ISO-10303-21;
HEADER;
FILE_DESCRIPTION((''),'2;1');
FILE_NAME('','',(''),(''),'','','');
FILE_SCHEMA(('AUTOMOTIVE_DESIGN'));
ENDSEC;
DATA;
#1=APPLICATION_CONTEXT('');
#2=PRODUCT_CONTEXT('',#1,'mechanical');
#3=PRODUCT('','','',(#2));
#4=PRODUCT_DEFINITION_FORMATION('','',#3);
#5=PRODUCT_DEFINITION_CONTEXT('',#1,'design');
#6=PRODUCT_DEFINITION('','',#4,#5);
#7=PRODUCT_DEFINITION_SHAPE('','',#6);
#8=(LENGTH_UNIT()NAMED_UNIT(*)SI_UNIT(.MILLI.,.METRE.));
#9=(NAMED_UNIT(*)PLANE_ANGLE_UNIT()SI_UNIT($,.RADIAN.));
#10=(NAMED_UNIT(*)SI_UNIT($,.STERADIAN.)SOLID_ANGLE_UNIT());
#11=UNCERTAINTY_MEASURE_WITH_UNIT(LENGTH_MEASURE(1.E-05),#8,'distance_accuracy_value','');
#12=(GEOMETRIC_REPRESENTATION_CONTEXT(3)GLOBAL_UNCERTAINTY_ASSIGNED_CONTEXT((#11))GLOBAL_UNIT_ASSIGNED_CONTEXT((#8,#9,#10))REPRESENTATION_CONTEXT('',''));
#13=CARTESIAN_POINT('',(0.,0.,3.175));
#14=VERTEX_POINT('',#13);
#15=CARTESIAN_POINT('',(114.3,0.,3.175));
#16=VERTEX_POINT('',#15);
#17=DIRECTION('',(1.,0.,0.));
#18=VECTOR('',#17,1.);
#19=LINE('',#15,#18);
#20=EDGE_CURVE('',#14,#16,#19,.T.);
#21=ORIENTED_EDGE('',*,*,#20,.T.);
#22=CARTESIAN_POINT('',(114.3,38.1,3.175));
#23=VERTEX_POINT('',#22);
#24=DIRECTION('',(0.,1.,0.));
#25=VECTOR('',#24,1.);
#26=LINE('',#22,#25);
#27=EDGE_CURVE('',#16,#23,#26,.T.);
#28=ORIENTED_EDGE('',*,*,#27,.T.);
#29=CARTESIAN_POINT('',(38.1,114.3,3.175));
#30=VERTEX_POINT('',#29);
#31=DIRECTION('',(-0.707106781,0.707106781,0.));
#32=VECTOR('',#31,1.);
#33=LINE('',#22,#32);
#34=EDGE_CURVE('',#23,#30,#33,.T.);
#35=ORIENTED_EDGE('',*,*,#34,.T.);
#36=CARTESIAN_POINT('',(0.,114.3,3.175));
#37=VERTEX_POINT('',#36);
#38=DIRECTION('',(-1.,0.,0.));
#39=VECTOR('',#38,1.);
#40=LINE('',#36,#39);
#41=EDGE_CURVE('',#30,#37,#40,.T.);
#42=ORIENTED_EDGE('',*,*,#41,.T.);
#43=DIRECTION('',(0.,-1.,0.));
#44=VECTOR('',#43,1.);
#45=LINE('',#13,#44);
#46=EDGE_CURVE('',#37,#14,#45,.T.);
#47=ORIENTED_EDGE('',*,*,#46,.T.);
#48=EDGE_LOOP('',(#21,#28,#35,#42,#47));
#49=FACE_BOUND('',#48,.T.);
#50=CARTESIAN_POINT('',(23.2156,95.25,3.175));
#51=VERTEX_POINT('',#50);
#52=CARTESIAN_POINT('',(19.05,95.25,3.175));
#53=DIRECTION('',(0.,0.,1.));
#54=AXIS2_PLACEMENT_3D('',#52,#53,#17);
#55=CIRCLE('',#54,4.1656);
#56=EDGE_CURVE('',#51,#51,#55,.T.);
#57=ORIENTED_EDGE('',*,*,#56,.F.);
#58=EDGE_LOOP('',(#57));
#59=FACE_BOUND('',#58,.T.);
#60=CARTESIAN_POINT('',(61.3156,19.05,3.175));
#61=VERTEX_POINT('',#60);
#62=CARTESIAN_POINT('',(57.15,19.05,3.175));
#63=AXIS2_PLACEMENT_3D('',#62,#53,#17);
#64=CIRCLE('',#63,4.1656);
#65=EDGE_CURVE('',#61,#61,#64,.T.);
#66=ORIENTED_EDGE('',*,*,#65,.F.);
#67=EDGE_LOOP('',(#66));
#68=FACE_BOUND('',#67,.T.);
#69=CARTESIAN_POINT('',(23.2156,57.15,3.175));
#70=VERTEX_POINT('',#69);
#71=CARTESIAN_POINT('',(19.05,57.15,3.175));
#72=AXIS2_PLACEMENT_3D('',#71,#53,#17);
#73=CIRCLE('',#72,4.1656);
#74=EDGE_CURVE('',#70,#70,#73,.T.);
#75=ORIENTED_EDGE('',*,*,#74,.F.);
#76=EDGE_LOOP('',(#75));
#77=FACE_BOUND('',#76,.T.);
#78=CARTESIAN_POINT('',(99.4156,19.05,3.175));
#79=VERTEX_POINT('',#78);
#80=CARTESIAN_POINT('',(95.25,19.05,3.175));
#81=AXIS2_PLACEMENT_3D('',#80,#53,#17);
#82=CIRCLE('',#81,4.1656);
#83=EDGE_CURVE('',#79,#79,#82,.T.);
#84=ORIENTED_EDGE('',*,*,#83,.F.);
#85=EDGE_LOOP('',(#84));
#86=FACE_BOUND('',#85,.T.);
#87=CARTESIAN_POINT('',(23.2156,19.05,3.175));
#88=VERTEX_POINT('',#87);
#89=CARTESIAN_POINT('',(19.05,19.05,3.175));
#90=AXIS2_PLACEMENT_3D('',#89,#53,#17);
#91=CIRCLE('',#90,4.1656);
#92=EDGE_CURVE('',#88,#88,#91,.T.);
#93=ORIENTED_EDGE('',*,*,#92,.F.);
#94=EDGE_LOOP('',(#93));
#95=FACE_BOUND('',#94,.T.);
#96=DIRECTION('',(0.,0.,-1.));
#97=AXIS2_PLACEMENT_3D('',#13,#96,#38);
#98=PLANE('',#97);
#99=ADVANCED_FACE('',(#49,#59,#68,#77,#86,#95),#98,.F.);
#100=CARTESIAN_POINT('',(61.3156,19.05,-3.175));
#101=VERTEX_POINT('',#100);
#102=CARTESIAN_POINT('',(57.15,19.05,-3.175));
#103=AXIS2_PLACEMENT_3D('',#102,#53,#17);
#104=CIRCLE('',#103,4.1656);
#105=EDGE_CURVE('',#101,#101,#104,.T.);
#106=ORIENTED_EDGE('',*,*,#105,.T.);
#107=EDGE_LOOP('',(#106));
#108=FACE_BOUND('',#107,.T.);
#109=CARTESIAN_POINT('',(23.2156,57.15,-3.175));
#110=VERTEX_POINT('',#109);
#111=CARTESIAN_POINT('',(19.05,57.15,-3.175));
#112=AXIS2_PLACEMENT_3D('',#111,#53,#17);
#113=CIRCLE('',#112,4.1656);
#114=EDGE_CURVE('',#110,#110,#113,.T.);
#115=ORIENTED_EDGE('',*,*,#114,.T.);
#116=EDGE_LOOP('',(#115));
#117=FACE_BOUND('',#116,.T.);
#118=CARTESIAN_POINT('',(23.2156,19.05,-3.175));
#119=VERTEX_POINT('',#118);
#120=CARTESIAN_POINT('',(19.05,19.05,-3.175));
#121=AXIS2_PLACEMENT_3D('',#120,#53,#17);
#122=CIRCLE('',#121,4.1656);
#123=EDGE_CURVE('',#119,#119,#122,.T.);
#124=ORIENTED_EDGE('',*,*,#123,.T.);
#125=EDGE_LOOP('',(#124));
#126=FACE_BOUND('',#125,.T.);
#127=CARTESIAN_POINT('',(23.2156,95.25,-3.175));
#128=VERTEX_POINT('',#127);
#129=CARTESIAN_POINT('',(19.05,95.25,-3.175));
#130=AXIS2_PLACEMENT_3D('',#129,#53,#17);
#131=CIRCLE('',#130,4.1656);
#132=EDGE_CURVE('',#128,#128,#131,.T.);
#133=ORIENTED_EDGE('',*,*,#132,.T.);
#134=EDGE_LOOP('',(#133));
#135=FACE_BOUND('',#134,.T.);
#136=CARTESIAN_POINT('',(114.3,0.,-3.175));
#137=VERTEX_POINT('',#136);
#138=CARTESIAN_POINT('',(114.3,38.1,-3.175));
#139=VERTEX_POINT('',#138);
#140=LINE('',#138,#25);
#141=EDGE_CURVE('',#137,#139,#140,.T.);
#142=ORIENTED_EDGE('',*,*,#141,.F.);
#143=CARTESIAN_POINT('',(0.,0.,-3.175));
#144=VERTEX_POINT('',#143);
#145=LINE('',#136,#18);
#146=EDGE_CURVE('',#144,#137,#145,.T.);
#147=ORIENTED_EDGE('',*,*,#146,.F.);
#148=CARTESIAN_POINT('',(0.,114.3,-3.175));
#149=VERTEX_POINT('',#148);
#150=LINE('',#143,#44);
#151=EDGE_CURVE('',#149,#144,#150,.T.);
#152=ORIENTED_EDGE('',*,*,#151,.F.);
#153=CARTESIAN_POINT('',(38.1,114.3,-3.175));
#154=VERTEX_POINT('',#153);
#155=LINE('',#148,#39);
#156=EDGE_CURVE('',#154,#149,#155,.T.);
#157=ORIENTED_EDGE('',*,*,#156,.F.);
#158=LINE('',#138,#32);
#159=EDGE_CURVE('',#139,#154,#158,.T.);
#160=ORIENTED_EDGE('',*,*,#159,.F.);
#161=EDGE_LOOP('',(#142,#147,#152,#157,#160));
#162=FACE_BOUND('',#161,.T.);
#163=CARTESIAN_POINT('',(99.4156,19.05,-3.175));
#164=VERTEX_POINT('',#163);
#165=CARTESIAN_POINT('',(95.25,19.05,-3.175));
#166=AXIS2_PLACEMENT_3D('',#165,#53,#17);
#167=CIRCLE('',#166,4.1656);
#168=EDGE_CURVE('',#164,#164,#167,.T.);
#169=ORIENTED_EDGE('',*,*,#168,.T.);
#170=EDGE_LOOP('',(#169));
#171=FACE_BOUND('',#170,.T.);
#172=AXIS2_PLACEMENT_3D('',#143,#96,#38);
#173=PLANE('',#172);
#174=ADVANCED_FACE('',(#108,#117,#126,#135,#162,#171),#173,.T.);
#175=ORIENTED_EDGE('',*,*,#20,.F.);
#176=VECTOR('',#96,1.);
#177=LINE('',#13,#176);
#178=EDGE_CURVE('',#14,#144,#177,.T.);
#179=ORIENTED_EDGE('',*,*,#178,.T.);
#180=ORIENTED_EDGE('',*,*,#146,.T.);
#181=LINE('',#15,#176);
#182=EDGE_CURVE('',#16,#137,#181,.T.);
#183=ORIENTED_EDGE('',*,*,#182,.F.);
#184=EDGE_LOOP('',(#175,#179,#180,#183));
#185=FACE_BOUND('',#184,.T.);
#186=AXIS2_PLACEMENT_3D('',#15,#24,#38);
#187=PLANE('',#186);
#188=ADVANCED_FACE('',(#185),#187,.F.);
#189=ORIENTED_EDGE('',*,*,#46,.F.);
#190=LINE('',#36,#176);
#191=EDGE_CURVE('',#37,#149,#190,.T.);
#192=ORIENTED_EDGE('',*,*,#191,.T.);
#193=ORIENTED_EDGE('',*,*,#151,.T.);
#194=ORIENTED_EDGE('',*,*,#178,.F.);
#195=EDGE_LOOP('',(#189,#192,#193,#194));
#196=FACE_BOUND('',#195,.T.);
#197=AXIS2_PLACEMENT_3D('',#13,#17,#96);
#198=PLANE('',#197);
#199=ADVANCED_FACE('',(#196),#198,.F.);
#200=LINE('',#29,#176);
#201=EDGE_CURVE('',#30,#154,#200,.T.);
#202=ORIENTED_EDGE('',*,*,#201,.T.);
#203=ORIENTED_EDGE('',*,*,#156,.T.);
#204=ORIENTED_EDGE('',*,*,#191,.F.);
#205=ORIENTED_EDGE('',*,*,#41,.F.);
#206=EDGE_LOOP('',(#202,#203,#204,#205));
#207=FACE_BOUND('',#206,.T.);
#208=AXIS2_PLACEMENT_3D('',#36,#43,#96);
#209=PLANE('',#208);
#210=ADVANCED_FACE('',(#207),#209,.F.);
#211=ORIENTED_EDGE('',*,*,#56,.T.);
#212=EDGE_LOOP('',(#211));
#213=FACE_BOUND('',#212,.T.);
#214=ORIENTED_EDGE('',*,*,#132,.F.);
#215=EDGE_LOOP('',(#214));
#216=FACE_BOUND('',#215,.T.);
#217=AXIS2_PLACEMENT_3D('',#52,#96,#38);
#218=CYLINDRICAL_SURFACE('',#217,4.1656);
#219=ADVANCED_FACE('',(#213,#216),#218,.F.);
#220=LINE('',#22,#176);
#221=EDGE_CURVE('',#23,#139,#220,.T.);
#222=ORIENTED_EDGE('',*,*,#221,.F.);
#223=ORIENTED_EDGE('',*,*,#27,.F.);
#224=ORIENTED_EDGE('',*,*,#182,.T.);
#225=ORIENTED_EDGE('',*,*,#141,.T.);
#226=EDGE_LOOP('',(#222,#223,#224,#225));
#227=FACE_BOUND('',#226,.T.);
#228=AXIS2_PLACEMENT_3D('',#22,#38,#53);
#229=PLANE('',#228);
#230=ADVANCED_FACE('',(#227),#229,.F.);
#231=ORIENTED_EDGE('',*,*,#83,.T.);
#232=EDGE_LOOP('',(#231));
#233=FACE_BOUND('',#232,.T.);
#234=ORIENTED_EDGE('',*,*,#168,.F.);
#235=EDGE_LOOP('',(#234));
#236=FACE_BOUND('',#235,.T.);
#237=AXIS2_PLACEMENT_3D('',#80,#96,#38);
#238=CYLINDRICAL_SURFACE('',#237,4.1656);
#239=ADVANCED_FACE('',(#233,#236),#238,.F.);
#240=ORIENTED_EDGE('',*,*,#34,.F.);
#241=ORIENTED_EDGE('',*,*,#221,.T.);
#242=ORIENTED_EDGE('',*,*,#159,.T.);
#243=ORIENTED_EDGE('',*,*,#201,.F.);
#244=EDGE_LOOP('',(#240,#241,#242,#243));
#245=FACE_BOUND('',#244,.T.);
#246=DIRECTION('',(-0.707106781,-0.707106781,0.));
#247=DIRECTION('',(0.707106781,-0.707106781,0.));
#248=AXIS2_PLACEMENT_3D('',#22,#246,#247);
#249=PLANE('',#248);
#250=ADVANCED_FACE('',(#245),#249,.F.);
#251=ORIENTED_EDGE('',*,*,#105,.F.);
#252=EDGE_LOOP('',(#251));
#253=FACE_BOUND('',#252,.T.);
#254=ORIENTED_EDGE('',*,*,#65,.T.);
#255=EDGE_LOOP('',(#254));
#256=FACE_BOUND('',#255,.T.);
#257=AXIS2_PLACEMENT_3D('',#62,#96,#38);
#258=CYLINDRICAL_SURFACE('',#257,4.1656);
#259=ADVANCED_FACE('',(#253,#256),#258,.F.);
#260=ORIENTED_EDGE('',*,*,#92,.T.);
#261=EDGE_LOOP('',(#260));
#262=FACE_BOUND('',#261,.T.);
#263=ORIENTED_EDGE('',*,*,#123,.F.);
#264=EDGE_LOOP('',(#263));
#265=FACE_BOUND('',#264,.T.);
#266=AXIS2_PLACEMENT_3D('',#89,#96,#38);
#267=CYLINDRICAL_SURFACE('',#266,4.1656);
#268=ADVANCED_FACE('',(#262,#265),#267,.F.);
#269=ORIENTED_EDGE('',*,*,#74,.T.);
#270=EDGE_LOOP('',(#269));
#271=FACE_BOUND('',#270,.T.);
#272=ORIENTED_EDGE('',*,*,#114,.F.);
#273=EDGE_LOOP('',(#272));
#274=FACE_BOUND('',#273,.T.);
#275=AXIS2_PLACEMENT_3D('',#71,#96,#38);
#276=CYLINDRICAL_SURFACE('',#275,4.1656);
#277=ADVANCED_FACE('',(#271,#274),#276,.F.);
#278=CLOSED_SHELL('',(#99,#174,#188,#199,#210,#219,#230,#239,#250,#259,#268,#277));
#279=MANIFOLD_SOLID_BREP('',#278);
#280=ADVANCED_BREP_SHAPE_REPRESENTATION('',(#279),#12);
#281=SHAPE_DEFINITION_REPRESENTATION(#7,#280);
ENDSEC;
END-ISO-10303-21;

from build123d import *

# Parameters (mm, degrees)
SKETCH1_R           = 4.1656
BOSS_EXTRUDE1_DEPTH = 3.175


with BuildPart() as part:
    # Sketch1 → Boss-Extrude1 (new, symmetric)
    with BuildSketch(Plane.XY):
        Polygon((0, 0), (0, 114.3), (38.1, 114.3), (114.3, 38.1), (114.3, 0), align=None)
        with Locations((19.05, 19.05)):
            Circle(SKETCH1_R, mode=Mode.SUBTRACT)
        with Locations((57.15, 19.05)):
            Circle(SKETCH1_R, mode=Mode.SUBTRACT)
        with Locations((95.25, 19.05)):
            Circle(SKETCH1_R, mode=Mode.SUBTRACT)
        with Locations((19.05, 57.15)):
            Circle(SKETCH1_R, mode=Mode.SUBTRACT)
        with Locations((19.05, 95.25)):
            Circle(SKETCH1_R, mode=Mode.SUBTRACT)
    extrude(amount=BOSS_EXTRUDE1_DEPTH, both=True)


solid = part.part
